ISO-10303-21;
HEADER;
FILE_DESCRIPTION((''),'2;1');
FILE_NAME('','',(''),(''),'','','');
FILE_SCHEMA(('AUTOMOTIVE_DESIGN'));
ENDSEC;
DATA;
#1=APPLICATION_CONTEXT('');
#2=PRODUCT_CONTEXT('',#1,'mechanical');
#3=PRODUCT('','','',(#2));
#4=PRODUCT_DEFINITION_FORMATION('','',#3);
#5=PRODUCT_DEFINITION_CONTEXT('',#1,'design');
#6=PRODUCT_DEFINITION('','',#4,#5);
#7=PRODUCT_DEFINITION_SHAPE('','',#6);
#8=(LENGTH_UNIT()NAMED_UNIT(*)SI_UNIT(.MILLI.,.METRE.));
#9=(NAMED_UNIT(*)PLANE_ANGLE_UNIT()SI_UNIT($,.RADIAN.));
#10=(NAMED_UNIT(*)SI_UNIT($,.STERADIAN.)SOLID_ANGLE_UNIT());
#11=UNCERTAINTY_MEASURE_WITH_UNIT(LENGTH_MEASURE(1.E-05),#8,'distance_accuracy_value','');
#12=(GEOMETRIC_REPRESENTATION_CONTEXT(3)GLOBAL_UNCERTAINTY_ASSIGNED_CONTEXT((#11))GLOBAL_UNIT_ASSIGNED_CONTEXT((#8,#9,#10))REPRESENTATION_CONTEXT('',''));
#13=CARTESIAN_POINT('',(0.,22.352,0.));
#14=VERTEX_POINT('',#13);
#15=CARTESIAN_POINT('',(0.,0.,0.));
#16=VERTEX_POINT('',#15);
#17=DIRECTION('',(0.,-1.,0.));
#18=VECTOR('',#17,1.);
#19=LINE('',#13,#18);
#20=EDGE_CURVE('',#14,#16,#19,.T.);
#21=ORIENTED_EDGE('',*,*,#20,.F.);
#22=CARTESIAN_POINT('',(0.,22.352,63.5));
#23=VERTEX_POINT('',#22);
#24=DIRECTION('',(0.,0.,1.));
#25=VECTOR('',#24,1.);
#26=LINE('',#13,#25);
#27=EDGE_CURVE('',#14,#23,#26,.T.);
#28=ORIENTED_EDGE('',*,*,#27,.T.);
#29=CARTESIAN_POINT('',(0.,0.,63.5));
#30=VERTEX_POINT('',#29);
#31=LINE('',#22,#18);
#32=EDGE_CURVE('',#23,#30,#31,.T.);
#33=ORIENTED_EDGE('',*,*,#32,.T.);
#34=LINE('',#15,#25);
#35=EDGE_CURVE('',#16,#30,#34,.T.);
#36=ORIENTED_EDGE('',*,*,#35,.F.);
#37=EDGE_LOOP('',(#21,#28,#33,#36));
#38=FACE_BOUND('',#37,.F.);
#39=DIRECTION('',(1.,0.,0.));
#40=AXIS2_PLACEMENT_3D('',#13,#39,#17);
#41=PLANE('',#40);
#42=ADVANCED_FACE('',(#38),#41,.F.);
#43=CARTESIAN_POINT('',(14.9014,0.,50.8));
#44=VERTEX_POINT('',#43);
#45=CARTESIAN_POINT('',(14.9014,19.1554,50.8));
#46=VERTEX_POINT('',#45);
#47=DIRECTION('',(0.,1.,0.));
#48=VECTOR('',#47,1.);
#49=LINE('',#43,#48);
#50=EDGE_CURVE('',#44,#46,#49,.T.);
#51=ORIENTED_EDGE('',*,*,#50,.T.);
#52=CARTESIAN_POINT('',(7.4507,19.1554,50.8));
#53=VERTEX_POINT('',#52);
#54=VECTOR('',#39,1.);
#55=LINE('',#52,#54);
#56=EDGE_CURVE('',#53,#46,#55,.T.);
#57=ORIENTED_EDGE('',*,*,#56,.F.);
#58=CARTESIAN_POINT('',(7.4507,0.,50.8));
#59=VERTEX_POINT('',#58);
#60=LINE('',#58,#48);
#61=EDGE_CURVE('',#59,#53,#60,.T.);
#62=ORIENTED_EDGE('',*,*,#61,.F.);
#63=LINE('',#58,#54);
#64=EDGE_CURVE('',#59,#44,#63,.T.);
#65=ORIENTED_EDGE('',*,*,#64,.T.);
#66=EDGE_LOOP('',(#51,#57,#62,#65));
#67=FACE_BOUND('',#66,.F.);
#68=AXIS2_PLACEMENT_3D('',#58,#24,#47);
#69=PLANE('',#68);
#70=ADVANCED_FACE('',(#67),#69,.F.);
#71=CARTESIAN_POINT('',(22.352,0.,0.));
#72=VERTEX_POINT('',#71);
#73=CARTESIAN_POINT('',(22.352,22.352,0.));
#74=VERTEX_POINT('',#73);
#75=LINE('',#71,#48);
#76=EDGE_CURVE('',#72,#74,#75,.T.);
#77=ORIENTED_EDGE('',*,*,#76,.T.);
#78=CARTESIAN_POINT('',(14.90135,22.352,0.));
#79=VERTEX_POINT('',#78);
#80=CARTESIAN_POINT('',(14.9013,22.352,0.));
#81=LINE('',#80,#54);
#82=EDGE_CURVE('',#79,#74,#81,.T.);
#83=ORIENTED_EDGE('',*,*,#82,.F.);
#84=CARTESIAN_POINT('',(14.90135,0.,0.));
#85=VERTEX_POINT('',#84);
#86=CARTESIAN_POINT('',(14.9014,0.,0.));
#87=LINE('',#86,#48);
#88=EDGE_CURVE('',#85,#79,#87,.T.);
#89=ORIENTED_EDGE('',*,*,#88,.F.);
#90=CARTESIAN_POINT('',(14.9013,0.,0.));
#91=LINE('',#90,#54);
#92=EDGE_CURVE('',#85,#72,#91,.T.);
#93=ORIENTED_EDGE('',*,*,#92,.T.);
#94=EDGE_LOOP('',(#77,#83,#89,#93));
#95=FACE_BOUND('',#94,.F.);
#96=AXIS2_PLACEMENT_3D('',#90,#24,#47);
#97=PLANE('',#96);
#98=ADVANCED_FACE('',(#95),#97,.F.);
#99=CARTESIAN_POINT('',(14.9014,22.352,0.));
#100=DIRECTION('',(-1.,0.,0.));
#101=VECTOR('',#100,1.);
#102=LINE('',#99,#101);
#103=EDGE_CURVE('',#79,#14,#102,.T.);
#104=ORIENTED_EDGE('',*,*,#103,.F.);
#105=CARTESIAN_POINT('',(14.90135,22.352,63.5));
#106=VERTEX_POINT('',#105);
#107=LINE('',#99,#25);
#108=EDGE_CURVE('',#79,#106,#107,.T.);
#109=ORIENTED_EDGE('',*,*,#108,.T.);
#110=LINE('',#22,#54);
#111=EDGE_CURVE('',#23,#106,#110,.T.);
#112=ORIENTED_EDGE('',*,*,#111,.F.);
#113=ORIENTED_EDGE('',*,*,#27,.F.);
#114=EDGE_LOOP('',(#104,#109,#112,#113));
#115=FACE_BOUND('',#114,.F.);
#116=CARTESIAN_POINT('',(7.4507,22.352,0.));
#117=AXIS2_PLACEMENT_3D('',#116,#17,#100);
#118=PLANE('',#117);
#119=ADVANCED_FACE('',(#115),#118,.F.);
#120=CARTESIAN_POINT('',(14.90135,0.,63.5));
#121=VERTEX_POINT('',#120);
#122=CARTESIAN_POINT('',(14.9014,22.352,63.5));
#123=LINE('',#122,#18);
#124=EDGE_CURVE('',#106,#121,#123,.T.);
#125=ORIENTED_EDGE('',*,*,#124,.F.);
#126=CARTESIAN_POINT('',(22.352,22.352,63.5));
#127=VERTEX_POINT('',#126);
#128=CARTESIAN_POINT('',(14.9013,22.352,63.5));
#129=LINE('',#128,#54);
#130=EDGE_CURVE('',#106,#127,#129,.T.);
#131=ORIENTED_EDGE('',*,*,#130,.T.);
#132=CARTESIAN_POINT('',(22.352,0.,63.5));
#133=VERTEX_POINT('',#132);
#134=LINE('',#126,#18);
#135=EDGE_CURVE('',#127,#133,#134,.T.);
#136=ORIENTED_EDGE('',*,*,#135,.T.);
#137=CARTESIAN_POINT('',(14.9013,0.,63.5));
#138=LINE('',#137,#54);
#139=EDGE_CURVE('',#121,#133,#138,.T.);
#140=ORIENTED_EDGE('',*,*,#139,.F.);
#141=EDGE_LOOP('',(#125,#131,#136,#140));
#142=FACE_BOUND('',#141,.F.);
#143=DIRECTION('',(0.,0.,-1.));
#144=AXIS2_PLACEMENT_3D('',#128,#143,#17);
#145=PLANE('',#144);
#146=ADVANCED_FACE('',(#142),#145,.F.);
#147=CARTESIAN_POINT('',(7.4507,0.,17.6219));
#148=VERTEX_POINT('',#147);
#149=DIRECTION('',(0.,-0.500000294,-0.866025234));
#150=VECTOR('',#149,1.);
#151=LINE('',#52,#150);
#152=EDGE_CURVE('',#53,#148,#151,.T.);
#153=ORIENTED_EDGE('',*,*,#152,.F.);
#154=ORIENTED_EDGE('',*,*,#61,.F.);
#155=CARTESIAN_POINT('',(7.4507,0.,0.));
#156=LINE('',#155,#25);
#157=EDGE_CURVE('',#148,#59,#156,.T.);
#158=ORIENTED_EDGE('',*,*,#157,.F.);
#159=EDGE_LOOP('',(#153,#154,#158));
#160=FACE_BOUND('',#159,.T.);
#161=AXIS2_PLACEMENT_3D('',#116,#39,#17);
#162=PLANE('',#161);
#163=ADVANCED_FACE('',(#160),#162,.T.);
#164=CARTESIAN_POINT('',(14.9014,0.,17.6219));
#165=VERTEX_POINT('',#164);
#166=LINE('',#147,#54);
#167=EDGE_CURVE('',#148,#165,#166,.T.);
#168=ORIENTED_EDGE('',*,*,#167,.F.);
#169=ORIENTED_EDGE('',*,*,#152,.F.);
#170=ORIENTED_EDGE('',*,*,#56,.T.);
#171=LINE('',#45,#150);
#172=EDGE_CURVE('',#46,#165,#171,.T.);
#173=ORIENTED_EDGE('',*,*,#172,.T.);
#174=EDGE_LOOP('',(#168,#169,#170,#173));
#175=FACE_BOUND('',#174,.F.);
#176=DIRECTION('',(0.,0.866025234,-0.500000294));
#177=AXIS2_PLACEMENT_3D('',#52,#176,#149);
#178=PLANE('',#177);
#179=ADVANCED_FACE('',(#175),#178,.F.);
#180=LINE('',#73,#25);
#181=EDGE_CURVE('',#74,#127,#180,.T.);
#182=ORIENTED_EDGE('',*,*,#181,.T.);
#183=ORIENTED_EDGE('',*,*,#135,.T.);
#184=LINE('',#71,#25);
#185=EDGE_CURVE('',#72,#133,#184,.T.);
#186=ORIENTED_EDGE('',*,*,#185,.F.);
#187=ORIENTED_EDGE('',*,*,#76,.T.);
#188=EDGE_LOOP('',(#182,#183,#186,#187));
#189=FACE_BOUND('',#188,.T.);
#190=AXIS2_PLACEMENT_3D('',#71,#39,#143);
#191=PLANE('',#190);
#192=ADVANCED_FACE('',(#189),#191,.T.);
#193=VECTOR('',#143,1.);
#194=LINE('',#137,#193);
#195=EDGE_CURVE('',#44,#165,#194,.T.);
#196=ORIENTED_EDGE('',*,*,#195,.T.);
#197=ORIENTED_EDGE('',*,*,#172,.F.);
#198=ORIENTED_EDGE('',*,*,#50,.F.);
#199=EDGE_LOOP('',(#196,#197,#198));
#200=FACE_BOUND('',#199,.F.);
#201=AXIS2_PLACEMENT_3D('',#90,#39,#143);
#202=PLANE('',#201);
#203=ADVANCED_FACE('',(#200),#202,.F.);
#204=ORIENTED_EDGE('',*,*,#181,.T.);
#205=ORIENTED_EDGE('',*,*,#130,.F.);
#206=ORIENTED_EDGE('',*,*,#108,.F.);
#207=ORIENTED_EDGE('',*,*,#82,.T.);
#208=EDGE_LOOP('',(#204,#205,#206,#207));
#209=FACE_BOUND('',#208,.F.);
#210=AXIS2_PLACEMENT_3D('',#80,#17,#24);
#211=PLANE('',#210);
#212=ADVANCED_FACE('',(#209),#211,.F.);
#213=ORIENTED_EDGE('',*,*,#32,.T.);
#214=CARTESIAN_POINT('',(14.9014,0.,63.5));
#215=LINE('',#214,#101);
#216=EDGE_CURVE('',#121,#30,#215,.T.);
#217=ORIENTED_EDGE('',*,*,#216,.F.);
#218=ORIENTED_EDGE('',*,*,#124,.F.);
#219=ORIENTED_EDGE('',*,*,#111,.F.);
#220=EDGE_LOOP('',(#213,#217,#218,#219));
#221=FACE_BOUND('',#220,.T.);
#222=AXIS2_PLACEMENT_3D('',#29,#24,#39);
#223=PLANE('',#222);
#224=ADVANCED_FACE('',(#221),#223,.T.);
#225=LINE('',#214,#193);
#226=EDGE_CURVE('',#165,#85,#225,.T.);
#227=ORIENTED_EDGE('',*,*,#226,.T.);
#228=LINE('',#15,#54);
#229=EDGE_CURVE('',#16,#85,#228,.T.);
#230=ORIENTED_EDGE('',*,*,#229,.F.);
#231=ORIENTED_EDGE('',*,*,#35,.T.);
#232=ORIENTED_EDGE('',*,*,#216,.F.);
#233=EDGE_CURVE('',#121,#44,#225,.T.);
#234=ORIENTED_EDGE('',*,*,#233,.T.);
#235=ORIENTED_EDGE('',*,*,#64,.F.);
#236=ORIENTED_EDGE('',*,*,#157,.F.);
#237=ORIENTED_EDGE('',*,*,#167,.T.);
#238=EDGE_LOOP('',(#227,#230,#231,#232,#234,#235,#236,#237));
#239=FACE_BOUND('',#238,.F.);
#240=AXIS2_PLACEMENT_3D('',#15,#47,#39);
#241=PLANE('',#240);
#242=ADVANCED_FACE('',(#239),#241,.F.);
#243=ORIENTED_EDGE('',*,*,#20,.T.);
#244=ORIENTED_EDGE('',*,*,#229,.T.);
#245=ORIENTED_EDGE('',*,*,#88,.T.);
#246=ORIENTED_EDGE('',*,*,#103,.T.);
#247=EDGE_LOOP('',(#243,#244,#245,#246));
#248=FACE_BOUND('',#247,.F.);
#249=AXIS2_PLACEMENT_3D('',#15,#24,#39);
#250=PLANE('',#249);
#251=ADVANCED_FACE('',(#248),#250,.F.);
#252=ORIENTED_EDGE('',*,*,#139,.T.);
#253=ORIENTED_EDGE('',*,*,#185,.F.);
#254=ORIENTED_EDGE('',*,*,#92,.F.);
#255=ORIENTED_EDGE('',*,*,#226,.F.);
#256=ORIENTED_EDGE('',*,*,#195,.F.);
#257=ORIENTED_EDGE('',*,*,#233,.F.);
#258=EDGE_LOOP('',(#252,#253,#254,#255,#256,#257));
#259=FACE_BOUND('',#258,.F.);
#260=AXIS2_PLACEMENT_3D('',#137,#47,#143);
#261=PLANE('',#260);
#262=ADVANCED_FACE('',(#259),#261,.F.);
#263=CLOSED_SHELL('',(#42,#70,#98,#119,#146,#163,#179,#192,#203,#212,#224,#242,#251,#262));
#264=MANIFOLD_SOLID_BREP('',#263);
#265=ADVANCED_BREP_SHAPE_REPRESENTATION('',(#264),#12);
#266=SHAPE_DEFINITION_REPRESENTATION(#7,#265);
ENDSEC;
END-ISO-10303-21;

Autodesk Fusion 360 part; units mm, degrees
sketch "Sketch1" plane through (0, 0, 0) normal (0, 0, 1) x (1, 0, 0)
  line L0 (0, 0) -> (22.352, 0)
  line L1 (22.352, 0) -> (22.352, 22.352)
  line L2 (22.352, 22.352) -> (0, 22.352)
  line L3 (0, 22.352) -> (0, 0)
  line L4 (7.4507, 22.352) -> (7.4507, 0)
  dimension "d1" = 22.352
  dimension "d2" = 22.352
  dimension "d3" = 7.4507
extrude "Extrude1" add sketch "Sketch1" along normal blind 63.5 contours L0 L2 L3 L4
sketch "Sketch2" plane through (7.4507, 0, 0) normal (1, 0, 0) x (0, 0, -1)
  line L0 (0, 0) -> (0, 22.352)
  line L1 (0, 22.352) -> (-63.5, 22.352)
  line L2 (-63.5, 22.352) -> (-63.5, 0)
  line L3 (-63.5, 0) -> (0, 0)
  line L4 (-50.8, 0) -> (-50.8, 19.1554)
  line L5 (-50.8, 19.1554) -> (-17.6219, 0)
  dimension "d6" = 12.7
  dimension "d7" = 30
extrude "Extrude2" add sketch "Sketch2" along normal blind 7.4507 contours L0 L1 L2 L3 L4 L5
sketch "Sketch3" plane through (14.9013, 0, 0) normal (1, 0, 0) x (0, 0, -1)
  line L0 (-50.8, 19.1554) -> (-17.6219, 0)
  line L1 (-17.6219, 0) -> (0, 0)
  line L2 (0, 0) -> (0, 22.352)
  line L3 (0, 22.352) -> (-63.5, 22.352)
  line L4 (-63.5, 22.352) -> (-63.5, 0)
  line L5 (-63.5, 0) -> (-50.8, 0)
  line L6 (-50.8, 0) -> (-50.8, 19.1554)
  line L7 (-63.5, 0) -> (0, 0)
  line L8 (0, 0) -> (0, 22.352)
  line L9 (0, 22.352) -> (-63.5, 22.352)
  line L10 (-63.5, 22.352) -> (-63.5, 0)
extrude "Extrude3" add sketch "Sketch3" along normal blind 7.4507
equation "d3 = ( 0.88 / 3 ) * 1 in"
equation "d8 = ( 0.88 / 3 ) * 1 in"
equation "d10 = ( 0.88 / 3 ) * 1 in"
